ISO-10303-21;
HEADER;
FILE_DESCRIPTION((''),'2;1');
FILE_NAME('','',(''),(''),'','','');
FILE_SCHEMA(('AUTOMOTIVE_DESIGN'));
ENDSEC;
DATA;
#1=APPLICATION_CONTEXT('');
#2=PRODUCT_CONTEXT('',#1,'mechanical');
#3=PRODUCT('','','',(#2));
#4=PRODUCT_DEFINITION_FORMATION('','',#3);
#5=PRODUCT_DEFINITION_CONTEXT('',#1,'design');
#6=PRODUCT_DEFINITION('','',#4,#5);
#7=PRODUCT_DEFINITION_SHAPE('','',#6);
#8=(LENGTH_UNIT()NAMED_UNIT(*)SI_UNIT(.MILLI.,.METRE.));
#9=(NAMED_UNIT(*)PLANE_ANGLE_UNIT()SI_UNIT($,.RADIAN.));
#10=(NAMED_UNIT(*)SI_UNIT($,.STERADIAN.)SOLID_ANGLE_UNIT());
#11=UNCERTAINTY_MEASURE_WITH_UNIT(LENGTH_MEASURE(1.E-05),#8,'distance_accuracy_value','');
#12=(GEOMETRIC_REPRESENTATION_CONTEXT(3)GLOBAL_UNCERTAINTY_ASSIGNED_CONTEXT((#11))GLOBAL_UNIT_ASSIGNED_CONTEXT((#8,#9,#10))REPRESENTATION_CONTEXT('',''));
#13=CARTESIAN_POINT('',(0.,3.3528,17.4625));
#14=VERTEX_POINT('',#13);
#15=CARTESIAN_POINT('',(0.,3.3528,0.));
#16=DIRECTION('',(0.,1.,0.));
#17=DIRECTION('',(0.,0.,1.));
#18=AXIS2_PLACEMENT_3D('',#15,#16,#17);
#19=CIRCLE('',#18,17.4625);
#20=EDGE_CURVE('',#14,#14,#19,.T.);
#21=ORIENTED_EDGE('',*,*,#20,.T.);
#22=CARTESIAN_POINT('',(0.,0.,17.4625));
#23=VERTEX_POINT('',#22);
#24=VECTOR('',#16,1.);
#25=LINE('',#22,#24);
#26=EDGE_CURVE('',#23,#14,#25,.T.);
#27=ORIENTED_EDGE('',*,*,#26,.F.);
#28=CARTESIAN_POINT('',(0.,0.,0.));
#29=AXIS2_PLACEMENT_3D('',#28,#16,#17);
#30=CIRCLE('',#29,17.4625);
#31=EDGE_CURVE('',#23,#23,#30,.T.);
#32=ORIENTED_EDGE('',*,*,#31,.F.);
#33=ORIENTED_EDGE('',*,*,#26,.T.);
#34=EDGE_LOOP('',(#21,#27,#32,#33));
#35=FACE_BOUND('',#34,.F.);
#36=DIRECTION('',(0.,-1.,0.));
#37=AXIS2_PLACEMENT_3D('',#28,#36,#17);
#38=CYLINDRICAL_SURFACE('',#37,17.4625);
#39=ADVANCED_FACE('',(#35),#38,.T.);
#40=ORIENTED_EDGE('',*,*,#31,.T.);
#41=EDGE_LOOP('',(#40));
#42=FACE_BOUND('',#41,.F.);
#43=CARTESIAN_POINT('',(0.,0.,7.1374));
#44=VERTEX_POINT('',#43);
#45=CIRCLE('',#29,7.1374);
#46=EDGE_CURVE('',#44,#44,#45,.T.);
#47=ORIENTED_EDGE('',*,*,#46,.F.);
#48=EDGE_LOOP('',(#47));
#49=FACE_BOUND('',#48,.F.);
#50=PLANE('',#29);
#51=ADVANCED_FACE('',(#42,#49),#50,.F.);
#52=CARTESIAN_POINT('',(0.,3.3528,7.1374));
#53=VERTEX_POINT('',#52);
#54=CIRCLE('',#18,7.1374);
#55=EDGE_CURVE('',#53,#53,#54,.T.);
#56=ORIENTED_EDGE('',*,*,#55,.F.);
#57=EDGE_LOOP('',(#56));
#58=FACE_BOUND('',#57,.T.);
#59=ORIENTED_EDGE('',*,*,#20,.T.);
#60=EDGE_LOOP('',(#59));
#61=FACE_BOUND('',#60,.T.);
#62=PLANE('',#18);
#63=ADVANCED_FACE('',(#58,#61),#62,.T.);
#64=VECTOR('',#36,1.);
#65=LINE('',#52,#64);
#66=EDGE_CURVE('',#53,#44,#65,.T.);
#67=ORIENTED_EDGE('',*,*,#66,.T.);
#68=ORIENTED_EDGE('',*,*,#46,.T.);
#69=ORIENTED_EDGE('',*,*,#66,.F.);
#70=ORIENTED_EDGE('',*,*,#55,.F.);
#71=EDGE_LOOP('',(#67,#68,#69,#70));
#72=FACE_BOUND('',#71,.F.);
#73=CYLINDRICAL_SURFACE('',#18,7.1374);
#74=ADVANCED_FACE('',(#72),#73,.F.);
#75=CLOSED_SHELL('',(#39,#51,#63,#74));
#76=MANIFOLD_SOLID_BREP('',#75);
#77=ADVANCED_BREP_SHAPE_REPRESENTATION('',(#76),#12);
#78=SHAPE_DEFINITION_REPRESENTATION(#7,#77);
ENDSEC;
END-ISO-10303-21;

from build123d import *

# Parameters (mm, degrees)
SKETCH1_R           = 17.4625
BOSS_EXTRUDE1_DEPTH = 3.3528
SKETCH5_R           = 7.1374
CUT_EXTRUDE1_DEPTH  = 4.3528


with BuildPart() as part:
    # Sketch1 → Boss-Extrude1 (new body)
    with BuildSketch(Plane(origin=(0, 0, 0), x_dir=(1, 0, 0), z_dir=(0, 1, 0))):
        with Locations(Location((0, 0, 0), (0, 0, 270))):  # turned: the seam where the file's is
            Circle(SKETCH1_R)
    extrude(amount=BOSS_EXTRUDE1_DEPTH)

    # Sketch5 → Cut-Extrude1 (cut, through all)
    with BuildSketch(Plane(origin=(0, 3.3528, 0), x_dir=(-1, 0, 0), z_dir=(0, 1, 0))):
        with Locations(Location((0, 0, 0), (0, 0, 90))):  # turned: the seam where the file's is
            Circle(SKETCH5_R)
    extrude(amount=-CUT_EXTRUDE1_DEPTH, mode=Mode.SUBTRACT)


solid = part.part
